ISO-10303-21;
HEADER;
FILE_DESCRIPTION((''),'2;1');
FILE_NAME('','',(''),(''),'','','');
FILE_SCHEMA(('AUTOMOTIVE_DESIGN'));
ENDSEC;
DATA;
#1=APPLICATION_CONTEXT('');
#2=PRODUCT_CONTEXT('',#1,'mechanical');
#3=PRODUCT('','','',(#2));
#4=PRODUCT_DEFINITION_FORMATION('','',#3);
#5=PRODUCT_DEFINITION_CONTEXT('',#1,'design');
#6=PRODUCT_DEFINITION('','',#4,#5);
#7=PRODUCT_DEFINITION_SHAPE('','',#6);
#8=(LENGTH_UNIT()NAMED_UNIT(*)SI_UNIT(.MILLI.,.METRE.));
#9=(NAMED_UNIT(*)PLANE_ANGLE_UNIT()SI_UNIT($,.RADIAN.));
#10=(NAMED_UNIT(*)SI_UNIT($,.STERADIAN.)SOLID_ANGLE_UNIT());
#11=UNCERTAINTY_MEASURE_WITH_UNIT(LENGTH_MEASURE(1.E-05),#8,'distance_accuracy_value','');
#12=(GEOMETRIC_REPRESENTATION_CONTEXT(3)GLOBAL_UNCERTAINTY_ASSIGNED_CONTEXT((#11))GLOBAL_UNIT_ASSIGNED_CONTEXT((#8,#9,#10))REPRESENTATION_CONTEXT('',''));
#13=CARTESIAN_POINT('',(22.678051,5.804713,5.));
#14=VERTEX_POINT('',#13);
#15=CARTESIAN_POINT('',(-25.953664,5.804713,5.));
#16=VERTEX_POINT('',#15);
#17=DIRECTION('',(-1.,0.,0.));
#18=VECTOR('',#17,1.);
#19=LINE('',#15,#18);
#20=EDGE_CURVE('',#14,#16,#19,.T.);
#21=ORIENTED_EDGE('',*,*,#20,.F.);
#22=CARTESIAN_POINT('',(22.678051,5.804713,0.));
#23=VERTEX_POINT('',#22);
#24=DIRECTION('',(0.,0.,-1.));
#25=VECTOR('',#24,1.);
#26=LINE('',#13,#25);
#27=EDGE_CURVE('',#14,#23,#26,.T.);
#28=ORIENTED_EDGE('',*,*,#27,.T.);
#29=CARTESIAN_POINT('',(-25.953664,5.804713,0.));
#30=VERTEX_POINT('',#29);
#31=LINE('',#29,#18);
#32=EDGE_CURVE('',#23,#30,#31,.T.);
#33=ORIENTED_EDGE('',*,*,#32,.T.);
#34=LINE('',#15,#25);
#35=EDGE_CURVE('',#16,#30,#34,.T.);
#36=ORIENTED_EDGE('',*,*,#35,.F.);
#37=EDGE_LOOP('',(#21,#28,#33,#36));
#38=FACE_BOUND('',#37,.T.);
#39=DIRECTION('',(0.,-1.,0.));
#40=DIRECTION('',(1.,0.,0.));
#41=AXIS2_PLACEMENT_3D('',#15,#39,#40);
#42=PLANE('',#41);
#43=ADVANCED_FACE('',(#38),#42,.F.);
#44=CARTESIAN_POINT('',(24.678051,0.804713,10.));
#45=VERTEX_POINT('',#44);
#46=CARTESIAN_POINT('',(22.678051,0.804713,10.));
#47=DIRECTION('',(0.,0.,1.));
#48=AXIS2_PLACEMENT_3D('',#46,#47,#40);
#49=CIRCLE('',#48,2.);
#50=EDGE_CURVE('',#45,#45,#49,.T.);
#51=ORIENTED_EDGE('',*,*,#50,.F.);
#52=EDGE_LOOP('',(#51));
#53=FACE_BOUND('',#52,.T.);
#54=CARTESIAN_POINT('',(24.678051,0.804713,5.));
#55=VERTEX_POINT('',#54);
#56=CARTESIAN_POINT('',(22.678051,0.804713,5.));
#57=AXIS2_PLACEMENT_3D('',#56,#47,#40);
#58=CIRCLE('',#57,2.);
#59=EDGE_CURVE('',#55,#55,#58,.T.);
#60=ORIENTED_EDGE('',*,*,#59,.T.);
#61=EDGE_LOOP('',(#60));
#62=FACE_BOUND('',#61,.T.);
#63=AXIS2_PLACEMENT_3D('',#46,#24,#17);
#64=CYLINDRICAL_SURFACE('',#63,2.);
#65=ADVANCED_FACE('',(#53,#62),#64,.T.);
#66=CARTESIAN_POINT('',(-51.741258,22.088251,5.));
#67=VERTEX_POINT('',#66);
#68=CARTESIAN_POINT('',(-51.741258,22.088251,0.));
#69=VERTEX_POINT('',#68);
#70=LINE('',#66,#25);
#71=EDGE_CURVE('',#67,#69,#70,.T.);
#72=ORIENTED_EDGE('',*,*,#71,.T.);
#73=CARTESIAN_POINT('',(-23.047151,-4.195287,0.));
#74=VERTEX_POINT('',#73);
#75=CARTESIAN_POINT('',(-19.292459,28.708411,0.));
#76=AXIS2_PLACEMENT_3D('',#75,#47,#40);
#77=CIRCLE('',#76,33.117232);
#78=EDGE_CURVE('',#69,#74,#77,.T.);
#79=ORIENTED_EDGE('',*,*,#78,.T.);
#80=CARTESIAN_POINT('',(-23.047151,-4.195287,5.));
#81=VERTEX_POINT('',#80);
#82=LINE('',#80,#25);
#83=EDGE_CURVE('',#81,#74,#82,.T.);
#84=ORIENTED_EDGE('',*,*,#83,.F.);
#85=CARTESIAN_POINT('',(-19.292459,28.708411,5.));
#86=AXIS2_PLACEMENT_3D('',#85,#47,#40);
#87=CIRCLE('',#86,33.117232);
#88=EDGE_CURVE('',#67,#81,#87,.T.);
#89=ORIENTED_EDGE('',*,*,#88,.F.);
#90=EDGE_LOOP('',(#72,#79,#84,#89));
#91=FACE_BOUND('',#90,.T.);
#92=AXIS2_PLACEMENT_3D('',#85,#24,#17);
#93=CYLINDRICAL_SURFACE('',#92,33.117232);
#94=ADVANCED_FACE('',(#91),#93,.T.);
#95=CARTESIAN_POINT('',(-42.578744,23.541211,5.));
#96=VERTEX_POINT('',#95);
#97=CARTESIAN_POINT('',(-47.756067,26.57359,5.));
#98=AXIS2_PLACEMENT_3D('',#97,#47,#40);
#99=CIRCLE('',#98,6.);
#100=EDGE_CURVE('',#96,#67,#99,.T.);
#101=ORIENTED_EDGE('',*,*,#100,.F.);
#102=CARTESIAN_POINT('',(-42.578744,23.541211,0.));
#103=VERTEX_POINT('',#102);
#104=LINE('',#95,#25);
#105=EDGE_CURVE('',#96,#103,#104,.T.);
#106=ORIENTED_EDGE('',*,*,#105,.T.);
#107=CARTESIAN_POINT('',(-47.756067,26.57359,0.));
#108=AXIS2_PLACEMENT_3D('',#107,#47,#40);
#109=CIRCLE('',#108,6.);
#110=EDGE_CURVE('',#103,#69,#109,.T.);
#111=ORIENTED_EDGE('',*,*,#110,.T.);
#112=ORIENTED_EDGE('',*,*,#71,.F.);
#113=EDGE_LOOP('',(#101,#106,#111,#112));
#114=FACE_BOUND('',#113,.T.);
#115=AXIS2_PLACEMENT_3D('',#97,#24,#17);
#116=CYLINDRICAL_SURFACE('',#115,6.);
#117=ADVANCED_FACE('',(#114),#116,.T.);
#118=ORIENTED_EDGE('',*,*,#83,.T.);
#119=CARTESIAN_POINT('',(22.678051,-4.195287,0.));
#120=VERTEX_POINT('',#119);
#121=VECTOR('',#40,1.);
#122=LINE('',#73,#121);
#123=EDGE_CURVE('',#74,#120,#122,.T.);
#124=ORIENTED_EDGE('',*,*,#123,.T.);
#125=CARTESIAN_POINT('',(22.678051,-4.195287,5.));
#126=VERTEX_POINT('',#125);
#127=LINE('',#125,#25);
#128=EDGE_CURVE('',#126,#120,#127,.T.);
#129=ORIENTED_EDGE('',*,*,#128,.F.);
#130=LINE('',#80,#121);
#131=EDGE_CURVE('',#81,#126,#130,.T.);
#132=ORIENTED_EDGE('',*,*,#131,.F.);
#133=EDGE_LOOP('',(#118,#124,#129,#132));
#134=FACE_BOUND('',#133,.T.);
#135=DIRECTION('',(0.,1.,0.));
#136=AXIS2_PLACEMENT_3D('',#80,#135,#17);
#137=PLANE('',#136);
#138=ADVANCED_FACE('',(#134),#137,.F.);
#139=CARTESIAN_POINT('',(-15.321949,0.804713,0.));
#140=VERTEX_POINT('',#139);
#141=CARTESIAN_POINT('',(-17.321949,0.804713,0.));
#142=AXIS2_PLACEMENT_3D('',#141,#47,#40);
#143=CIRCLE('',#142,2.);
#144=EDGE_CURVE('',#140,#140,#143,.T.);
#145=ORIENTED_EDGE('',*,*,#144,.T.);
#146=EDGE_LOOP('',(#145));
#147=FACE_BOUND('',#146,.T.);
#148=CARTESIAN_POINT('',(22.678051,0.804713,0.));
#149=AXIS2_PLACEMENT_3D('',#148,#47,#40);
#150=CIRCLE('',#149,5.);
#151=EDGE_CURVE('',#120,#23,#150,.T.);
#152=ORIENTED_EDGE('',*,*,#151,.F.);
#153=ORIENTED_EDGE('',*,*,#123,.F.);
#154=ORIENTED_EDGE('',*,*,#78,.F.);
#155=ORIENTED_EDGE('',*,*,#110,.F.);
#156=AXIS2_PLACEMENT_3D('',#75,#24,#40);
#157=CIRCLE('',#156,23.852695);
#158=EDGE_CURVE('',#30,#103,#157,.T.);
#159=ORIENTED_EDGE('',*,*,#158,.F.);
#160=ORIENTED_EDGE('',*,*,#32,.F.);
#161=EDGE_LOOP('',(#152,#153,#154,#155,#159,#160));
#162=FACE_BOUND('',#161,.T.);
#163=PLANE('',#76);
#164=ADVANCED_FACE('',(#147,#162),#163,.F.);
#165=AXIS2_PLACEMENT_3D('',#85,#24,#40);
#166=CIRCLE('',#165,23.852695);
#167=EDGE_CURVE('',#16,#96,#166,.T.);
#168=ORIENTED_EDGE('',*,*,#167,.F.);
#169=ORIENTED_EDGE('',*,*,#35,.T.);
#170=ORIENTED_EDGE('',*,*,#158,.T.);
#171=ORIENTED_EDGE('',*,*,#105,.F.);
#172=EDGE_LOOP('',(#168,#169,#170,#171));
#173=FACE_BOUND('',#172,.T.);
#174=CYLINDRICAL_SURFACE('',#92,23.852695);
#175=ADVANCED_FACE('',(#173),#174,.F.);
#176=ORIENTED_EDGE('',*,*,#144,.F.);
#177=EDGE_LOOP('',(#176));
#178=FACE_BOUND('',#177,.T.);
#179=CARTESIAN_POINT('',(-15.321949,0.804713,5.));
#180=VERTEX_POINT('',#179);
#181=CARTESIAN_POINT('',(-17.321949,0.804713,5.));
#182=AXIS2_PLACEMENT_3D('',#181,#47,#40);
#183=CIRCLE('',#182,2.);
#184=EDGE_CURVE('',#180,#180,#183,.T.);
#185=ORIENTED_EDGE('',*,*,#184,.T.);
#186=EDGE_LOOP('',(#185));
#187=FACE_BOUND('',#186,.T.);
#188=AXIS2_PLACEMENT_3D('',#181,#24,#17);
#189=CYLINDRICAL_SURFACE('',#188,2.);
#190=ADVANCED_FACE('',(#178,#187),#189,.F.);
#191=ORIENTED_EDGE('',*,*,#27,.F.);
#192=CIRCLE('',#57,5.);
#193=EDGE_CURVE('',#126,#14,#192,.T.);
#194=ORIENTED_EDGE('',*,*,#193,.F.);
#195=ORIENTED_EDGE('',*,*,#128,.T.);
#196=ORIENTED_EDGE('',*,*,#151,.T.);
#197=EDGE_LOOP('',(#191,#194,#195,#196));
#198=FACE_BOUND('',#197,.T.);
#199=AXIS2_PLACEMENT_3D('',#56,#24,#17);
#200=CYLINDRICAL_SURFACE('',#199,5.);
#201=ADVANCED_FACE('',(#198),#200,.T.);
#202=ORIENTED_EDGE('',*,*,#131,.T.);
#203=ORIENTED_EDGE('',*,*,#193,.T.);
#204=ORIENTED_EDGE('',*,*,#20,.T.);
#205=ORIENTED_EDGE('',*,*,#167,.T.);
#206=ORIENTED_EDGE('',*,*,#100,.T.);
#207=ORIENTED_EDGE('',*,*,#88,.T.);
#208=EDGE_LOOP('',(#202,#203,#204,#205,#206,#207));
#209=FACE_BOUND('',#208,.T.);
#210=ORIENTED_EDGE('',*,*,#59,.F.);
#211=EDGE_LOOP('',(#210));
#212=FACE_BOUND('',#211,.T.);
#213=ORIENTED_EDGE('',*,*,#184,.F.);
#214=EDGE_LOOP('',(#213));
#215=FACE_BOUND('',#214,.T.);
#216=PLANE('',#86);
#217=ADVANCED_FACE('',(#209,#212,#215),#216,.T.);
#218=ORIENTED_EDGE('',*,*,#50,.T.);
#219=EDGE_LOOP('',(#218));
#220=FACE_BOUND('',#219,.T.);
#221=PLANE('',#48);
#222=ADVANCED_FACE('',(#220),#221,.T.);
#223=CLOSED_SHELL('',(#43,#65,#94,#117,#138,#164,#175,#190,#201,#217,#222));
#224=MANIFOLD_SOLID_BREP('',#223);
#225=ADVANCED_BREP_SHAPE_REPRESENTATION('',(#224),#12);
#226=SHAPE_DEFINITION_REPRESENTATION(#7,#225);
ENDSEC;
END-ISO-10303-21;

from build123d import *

# Parameters (mm, degrees)
CROQUIS1_R              = 2
SALIENTE_EXTRUIR1_DEPTH = 5
CROQUIS2_R              = 2
SALIENTE_EXTRUIR2_DEPTH = 5


with BuildPart() as part:
    # Croquis1 → Saliente-Extruir1 (new body)
    with BuildSketch(Plane.XY):
        with BuildLine():
            Line((-25.953664325, 5.804713338), (22.678050908, 5.804713338))
            ThreePointArc((22.678050908, 5.804713338), (27.678050908, 0.804713338), (22.678050908, -4.195286662))
            Line((22.678050908, -4.195286662), (-23.047151147, -4.195286662))
            ThreePointArc((-23.047151147, -4.195286662), (-41.661617991, 4.287687085), (-51.741257509, 22.088251307))
            ThreePointArc((-51.741257509, 22.088251307), (-48.695784379, 32.499543684), (-42.578743977, 23.541210565))
            ThreePointArc((-42.578743977, 23.541210565), (-36.695300038, 12.396079877), (-25.953664325, 5.804713338))
        make_face()
        with Locations((-17.321949092, 0.804713338)):
            Circle(CROQUIS1_R, mode=Mode.SUBTRACT)
    extrude(amount=SALIENTE_EXTRUIR1_DEPTH)

    # Croquis2 → Saliente-Extruir2 (add)
    with BuildSketch(Plane.XY.offset(5)):
        with Locations((22.678050908, 0.804713338)):
            Circle(CROQUIS2_R)
    extrude(amount=SALIENTE_EXTRUIR2_DEPTH)


solid = part.part
